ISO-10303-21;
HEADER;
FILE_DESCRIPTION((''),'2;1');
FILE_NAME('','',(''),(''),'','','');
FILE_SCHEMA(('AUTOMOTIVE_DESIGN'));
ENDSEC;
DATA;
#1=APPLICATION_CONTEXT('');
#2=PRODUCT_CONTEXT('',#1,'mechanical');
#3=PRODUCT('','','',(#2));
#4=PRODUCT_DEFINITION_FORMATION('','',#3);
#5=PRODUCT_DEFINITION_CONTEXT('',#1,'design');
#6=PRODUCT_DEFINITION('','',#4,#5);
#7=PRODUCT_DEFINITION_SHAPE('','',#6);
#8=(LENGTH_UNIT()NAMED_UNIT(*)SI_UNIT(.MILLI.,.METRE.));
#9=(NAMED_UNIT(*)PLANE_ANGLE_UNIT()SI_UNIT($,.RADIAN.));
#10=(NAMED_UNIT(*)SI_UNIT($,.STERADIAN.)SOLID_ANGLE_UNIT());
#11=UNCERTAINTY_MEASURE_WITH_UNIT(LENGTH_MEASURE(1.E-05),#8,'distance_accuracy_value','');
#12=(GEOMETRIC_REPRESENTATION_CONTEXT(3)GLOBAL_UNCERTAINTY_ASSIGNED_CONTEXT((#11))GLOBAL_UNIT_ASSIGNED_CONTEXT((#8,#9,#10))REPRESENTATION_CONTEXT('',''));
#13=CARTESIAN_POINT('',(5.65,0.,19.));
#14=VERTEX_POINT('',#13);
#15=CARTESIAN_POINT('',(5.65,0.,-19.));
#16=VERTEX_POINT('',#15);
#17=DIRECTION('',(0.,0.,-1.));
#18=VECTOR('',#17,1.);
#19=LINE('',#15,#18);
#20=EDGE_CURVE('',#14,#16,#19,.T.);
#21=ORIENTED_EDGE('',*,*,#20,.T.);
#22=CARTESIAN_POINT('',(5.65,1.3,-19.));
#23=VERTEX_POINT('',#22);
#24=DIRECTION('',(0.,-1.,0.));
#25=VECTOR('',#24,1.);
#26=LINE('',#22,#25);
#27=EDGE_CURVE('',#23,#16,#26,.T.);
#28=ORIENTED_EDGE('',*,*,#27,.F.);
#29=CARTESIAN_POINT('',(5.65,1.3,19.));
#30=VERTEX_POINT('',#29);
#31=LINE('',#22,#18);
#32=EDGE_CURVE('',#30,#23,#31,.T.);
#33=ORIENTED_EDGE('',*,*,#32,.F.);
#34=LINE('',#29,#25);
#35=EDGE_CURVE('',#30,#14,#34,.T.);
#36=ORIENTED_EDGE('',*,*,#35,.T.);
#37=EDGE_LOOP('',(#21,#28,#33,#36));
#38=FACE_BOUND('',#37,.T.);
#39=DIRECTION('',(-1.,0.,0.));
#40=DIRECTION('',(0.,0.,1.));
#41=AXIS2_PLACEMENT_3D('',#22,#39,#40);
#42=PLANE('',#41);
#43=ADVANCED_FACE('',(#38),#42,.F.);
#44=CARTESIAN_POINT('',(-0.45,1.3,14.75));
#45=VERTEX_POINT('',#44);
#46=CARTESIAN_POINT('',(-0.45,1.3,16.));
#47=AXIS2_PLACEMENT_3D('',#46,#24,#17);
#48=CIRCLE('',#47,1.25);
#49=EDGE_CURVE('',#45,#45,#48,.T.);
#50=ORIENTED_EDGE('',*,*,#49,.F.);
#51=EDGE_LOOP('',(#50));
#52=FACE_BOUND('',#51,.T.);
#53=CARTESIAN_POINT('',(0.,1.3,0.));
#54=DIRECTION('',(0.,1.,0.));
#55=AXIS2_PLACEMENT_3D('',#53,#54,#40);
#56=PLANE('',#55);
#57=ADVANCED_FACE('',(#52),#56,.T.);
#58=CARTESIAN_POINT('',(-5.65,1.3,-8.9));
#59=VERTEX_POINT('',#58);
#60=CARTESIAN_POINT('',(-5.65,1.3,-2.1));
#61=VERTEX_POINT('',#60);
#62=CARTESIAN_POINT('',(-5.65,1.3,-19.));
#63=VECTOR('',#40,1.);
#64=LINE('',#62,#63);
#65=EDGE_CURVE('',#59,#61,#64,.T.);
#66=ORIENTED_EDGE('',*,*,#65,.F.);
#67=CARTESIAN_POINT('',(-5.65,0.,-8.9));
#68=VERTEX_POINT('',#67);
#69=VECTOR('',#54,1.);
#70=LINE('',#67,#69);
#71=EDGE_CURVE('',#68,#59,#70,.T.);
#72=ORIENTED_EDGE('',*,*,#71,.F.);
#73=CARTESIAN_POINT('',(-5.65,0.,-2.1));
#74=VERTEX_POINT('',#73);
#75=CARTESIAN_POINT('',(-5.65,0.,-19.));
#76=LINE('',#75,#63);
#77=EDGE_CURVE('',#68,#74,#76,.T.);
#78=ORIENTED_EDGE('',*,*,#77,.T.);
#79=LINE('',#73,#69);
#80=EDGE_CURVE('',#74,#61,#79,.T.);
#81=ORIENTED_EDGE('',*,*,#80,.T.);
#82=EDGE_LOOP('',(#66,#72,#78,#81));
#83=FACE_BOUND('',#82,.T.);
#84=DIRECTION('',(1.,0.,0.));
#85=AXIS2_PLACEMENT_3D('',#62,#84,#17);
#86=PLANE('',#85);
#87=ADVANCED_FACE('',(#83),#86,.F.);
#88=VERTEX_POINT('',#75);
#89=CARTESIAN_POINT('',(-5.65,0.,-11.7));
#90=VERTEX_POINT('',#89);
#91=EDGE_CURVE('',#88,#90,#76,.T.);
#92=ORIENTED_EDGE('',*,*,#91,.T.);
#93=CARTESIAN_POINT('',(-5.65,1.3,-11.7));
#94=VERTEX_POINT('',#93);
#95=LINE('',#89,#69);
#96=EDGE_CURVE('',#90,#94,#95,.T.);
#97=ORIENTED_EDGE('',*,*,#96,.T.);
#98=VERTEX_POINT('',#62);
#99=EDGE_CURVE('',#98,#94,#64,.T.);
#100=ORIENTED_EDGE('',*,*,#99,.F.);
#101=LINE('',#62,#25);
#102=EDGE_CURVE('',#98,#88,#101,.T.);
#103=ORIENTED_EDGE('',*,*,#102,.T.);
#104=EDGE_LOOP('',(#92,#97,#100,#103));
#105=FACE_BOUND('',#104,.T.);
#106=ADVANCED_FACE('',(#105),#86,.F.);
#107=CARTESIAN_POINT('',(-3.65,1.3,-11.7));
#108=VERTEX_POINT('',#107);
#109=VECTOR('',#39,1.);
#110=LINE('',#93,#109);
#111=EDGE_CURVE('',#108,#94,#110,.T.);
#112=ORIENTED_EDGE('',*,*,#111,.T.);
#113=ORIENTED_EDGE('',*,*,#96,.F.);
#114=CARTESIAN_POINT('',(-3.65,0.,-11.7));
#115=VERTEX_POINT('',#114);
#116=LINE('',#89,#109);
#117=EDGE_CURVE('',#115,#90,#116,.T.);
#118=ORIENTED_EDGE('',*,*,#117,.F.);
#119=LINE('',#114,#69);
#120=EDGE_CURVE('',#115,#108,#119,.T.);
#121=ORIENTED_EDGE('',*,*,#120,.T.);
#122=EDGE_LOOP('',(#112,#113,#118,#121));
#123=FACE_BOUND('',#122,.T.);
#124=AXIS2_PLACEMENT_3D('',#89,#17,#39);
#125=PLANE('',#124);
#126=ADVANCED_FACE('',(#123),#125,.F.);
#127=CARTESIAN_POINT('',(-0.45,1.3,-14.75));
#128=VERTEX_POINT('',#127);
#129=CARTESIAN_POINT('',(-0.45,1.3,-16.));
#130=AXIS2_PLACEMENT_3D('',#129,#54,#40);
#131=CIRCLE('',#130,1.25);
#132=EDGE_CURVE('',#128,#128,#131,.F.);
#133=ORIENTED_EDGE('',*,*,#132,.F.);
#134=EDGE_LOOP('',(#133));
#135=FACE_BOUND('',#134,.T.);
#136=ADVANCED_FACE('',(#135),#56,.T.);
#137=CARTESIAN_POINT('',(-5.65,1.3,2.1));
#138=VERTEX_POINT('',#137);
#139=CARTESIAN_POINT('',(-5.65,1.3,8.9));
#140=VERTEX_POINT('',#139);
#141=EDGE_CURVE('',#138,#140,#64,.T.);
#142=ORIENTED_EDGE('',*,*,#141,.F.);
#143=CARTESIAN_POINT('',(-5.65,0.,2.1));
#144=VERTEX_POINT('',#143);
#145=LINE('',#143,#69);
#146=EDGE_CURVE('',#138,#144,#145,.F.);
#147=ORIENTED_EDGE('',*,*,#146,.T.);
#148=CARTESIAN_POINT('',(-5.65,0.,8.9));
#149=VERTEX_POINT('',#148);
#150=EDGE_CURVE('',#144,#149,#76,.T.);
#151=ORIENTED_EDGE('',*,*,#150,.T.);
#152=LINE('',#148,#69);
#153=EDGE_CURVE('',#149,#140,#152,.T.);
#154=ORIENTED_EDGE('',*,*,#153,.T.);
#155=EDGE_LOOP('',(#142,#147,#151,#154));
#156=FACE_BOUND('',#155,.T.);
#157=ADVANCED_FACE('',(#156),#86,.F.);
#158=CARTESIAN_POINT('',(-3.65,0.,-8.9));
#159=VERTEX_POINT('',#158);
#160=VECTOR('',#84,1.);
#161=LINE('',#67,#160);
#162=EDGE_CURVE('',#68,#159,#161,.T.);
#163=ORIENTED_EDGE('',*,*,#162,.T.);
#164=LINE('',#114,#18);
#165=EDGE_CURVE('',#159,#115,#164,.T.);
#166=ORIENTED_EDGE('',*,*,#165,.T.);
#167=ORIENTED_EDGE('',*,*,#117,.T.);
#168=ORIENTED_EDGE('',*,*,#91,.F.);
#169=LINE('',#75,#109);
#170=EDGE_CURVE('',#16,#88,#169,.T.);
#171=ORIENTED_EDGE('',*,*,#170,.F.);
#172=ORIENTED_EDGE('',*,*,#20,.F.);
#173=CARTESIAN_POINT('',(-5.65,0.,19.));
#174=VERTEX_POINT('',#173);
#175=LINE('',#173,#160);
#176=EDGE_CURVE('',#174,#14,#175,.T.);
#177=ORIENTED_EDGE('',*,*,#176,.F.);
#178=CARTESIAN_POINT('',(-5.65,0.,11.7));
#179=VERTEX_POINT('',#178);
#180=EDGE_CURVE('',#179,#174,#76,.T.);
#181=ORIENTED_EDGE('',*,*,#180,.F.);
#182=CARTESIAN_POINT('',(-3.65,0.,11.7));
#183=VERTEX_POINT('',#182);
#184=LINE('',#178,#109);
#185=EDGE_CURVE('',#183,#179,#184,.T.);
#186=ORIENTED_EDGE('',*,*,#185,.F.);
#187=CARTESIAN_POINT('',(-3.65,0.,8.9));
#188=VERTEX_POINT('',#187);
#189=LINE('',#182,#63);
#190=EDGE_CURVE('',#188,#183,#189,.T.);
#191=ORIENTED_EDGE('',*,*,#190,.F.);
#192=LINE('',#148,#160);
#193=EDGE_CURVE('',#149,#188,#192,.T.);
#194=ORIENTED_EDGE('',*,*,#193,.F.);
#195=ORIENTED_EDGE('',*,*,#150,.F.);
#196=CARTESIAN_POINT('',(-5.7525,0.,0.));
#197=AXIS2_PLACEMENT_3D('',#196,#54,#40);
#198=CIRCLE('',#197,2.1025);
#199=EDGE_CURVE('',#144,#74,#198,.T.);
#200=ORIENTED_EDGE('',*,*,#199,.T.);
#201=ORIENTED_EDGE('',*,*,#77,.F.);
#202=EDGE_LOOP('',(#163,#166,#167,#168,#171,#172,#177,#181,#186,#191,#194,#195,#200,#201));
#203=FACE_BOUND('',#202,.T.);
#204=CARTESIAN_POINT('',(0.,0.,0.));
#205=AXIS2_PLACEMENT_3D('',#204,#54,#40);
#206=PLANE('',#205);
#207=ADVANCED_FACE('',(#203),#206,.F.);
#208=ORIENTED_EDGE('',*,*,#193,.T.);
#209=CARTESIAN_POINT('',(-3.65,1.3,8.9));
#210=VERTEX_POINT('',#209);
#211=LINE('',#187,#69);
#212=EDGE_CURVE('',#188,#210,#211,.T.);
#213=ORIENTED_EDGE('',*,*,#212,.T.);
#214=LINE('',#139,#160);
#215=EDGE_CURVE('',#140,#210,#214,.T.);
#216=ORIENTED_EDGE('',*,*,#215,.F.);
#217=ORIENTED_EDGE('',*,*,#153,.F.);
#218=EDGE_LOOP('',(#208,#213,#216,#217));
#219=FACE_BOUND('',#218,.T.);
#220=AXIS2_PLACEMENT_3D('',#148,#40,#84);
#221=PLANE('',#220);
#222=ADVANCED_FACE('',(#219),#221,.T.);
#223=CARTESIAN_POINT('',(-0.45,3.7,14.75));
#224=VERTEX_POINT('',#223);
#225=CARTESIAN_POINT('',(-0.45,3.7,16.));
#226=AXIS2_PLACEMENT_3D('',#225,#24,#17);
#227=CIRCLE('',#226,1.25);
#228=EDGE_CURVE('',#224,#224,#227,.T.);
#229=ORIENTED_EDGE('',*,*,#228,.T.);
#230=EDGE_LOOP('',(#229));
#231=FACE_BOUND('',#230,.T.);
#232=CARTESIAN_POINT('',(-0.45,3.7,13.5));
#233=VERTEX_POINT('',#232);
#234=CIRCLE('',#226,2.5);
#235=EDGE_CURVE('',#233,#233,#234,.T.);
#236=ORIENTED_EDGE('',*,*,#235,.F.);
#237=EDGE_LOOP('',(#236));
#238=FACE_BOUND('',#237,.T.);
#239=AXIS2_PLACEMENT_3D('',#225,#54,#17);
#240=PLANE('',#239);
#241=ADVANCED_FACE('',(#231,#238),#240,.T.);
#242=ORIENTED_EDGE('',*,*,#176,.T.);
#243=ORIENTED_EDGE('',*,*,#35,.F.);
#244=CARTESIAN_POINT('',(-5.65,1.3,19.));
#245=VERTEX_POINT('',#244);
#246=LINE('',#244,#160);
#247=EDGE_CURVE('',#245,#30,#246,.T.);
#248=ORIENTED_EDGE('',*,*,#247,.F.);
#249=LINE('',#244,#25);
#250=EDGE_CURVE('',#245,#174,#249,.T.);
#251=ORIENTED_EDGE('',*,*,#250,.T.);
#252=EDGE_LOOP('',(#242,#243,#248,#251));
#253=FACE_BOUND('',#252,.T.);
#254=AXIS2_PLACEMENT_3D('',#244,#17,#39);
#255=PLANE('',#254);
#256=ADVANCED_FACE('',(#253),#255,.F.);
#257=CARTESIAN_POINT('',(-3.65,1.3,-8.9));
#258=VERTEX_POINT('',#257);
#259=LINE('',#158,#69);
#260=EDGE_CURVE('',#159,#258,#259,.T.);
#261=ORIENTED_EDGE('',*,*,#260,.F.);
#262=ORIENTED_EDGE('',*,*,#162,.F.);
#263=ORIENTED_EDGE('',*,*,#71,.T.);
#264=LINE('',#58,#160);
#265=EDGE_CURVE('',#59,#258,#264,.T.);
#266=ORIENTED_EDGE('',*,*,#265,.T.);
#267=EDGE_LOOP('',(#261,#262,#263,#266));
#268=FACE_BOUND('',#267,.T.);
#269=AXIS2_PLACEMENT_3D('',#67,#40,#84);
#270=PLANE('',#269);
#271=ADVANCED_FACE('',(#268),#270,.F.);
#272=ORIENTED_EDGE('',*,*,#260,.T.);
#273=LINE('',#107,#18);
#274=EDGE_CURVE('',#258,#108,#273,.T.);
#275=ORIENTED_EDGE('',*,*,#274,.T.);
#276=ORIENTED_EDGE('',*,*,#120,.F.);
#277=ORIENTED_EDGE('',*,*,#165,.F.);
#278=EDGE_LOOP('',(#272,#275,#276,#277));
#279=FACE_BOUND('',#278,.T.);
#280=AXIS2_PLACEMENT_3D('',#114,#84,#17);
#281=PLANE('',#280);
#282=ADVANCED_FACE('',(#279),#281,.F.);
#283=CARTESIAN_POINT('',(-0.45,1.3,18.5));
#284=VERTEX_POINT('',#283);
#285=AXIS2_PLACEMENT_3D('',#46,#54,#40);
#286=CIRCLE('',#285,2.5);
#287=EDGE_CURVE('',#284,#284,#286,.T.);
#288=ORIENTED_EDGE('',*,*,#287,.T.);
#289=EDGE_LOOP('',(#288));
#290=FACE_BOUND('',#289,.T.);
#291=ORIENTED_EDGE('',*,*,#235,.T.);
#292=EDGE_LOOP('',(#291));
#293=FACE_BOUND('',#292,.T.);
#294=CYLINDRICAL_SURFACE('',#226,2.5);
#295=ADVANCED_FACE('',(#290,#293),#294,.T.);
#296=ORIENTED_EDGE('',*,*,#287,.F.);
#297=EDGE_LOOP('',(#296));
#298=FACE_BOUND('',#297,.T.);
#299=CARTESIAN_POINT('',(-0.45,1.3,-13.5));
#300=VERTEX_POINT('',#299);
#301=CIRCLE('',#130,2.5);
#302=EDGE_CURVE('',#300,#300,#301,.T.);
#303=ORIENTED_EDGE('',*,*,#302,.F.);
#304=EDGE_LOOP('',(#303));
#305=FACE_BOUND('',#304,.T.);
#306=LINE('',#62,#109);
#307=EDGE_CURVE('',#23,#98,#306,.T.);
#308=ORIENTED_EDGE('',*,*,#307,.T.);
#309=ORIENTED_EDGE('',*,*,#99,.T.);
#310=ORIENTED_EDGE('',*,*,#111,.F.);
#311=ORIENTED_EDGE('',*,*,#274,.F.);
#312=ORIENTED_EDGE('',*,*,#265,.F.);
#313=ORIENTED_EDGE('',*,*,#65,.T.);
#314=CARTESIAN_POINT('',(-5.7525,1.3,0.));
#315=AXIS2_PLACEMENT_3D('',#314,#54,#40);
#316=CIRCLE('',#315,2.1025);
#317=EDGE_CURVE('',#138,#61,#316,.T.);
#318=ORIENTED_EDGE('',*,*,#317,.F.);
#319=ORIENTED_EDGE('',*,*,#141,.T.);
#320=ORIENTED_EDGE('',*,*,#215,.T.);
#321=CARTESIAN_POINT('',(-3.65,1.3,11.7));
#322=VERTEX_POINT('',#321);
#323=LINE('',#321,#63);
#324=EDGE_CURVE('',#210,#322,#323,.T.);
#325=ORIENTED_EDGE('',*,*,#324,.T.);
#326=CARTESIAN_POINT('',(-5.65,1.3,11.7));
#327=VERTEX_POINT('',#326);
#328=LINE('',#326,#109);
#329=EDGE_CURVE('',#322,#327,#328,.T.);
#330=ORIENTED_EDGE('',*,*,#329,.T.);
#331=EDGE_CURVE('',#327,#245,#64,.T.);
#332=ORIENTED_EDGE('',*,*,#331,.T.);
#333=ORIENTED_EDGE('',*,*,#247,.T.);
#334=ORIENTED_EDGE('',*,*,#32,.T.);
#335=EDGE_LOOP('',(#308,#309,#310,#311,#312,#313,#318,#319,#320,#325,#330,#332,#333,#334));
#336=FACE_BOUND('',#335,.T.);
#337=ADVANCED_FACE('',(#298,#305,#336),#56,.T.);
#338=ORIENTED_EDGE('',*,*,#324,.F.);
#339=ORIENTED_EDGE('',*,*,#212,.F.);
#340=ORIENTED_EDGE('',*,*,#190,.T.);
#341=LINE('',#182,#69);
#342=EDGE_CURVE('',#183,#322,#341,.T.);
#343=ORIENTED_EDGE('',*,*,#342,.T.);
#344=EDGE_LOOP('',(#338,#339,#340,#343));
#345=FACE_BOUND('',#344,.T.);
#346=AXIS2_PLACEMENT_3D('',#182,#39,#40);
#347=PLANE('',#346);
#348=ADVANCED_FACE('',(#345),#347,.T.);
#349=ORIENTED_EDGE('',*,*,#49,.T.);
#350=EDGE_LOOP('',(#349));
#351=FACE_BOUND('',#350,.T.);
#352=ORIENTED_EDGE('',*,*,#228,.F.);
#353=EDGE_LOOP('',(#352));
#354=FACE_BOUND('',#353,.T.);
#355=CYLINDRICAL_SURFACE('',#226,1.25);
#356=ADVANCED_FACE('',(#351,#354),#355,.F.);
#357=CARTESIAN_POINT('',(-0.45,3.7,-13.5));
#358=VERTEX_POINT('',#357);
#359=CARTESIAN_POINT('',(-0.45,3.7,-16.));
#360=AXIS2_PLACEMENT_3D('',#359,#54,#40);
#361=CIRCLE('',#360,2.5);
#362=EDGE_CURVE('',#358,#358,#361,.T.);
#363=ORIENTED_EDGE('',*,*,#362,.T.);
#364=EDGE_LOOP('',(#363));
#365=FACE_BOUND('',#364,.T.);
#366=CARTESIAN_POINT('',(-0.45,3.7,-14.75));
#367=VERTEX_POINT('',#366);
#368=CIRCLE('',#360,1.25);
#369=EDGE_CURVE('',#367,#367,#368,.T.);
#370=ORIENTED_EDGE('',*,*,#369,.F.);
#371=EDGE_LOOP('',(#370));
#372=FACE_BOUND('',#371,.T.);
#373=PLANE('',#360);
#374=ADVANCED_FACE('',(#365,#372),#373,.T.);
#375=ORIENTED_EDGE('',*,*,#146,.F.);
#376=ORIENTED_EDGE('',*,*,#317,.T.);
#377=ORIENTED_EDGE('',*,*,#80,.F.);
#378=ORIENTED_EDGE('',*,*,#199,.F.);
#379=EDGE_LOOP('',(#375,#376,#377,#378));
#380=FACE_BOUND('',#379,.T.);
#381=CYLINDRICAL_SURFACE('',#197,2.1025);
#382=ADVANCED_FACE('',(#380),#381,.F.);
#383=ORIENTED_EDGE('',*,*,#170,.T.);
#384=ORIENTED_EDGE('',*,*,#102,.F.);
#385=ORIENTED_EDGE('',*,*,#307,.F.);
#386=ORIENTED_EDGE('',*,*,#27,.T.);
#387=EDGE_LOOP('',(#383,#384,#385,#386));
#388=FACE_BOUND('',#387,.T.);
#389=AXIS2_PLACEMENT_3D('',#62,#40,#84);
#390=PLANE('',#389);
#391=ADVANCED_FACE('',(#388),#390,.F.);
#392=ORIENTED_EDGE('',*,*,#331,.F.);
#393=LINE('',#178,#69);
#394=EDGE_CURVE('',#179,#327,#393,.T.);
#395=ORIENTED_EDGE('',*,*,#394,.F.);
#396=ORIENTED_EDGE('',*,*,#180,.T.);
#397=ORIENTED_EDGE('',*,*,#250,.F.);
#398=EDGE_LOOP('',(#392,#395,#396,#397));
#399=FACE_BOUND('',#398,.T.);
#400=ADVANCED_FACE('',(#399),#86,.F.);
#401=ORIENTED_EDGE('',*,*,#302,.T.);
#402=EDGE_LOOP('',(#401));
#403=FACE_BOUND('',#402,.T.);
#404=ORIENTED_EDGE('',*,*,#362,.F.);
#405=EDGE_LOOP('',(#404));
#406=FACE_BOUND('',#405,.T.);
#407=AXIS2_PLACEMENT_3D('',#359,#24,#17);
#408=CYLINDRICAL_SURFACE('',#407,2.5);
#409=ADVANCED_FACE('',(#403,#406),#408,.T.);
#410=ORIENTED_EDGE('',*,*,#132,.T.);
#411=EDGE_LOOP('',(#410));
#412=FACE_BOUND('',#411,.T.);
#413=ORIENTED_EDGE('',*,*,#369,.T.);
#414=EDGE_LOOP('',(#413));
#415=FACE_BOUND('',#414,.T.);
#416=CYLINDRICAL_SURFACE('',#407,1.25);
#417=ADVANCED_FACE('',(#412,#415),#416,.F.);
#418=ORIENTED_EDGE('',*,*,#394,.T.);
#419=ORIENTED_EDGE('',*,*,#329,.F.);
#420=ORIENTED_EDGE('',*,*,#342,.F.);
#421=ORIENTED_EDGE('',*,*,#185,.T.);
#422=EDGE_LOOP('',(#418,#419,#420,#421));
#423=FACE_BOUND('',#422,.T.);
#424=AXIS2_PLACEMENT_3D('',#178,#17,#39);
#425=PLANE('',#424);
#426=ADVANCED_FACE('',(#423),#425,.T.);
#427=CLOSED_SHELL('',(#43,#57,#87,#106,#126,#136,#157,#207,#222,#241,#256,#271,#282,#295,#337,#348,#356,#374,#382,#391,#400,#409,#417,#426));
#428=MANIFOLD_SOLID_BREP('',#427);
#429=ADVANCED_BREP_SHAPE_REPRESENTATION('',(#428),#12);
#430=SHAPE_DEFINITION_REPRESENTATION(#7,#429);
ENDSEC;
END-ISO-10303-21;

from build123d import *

# Parameters (mm, degrees)
SKETCH1_W                       = 11.3
SKETCH1_H                       = 38
BASE_DEPTH                      = 1.3
SKETCH3_W                       = 2
SKETCH3_H                       = 2.8
SQUARE_NOTCH_DEPTH              = 20.864855902
SKETCH2_R                       = 2.1025
CIRCLE_DEPTH                    = 20.864855902
SKETCH4_R                       = 2.5
SKETCH4_R_2                     = 1.25
BOSSED_CYLINDER_WITH_HOLE_DEPTH = 2.4


with BuildPart() as part:
    # Sketch1 → BASE (new body)
    with BuildSketch(Plane(origin=(0, 0, 0), x_dir=(1, 0, 0), z_dir=(0, 1, 0))):
        Rectangle(SKETCH1_W, SKETCH1_H)
    extrude(amount=BASE_DEPTH)

    # Sketch3 → SQUARE NOTCH (cut, through all)
    with BuildSketch(Plane(origin=(0, 1.3, 0), x_dir=(1, 0, 0), z_dir=(0, 1, 0))):
        with Locations((-4.65, 10.3)):
            Rectangle(SKETCH3_W, SKETCH3_H)
    square_notch = extrude(amount=-SQUARE_NOTCH_DEPTH, mode=Mode.SUBTRACT)

    # SN Mirror1: SQUARE NOTCH across plane
    add(square_notch.mirror(Plane.XY), mode=Mode.SUBTRACT)

    # Sketch2 → CIRCLE (cut, through all)
    with BuildSketch(Plane(origin=(0, 1.3, 0), x_dir=(1, 0, 0), z_dir=(0, 1, 0))):
        with Locations((-5.7525, 0)):
            Circle(SKETCH2_R)
    extrude(amount=-CIRCLE_DEPTH, mode=Mode.SUBTRACT)

    # Sketch4 → BOSSED CYLINDER WITH HOLE (add)
    with BuildSketch(Plane(origin=(0, 1.3, 0), x_dir=(1, 0, 0), z_dir=(0, 1, 0))):
        with Locations(Location((-0.45, 16, 0), (0, 0, 270))):
            Circle(SKETCH4_R)
        with Locations(Location((-0.45, 16, 0), (0, 0, 270))):
            Circle(SKETCH4_R_2, mode=Mode.SUBTRACT)
    bossed_cylinder_with_hole = extrude(amount=BOSSED_CYLINDER_WITH_HOLE_DEPTH)

    # BCH Mirror2: BOSSED CYLINDER WITH HOLE across plane
    add(bossed_cylinder_with_hole.mirror(Plane.XY))


solid = part.part
